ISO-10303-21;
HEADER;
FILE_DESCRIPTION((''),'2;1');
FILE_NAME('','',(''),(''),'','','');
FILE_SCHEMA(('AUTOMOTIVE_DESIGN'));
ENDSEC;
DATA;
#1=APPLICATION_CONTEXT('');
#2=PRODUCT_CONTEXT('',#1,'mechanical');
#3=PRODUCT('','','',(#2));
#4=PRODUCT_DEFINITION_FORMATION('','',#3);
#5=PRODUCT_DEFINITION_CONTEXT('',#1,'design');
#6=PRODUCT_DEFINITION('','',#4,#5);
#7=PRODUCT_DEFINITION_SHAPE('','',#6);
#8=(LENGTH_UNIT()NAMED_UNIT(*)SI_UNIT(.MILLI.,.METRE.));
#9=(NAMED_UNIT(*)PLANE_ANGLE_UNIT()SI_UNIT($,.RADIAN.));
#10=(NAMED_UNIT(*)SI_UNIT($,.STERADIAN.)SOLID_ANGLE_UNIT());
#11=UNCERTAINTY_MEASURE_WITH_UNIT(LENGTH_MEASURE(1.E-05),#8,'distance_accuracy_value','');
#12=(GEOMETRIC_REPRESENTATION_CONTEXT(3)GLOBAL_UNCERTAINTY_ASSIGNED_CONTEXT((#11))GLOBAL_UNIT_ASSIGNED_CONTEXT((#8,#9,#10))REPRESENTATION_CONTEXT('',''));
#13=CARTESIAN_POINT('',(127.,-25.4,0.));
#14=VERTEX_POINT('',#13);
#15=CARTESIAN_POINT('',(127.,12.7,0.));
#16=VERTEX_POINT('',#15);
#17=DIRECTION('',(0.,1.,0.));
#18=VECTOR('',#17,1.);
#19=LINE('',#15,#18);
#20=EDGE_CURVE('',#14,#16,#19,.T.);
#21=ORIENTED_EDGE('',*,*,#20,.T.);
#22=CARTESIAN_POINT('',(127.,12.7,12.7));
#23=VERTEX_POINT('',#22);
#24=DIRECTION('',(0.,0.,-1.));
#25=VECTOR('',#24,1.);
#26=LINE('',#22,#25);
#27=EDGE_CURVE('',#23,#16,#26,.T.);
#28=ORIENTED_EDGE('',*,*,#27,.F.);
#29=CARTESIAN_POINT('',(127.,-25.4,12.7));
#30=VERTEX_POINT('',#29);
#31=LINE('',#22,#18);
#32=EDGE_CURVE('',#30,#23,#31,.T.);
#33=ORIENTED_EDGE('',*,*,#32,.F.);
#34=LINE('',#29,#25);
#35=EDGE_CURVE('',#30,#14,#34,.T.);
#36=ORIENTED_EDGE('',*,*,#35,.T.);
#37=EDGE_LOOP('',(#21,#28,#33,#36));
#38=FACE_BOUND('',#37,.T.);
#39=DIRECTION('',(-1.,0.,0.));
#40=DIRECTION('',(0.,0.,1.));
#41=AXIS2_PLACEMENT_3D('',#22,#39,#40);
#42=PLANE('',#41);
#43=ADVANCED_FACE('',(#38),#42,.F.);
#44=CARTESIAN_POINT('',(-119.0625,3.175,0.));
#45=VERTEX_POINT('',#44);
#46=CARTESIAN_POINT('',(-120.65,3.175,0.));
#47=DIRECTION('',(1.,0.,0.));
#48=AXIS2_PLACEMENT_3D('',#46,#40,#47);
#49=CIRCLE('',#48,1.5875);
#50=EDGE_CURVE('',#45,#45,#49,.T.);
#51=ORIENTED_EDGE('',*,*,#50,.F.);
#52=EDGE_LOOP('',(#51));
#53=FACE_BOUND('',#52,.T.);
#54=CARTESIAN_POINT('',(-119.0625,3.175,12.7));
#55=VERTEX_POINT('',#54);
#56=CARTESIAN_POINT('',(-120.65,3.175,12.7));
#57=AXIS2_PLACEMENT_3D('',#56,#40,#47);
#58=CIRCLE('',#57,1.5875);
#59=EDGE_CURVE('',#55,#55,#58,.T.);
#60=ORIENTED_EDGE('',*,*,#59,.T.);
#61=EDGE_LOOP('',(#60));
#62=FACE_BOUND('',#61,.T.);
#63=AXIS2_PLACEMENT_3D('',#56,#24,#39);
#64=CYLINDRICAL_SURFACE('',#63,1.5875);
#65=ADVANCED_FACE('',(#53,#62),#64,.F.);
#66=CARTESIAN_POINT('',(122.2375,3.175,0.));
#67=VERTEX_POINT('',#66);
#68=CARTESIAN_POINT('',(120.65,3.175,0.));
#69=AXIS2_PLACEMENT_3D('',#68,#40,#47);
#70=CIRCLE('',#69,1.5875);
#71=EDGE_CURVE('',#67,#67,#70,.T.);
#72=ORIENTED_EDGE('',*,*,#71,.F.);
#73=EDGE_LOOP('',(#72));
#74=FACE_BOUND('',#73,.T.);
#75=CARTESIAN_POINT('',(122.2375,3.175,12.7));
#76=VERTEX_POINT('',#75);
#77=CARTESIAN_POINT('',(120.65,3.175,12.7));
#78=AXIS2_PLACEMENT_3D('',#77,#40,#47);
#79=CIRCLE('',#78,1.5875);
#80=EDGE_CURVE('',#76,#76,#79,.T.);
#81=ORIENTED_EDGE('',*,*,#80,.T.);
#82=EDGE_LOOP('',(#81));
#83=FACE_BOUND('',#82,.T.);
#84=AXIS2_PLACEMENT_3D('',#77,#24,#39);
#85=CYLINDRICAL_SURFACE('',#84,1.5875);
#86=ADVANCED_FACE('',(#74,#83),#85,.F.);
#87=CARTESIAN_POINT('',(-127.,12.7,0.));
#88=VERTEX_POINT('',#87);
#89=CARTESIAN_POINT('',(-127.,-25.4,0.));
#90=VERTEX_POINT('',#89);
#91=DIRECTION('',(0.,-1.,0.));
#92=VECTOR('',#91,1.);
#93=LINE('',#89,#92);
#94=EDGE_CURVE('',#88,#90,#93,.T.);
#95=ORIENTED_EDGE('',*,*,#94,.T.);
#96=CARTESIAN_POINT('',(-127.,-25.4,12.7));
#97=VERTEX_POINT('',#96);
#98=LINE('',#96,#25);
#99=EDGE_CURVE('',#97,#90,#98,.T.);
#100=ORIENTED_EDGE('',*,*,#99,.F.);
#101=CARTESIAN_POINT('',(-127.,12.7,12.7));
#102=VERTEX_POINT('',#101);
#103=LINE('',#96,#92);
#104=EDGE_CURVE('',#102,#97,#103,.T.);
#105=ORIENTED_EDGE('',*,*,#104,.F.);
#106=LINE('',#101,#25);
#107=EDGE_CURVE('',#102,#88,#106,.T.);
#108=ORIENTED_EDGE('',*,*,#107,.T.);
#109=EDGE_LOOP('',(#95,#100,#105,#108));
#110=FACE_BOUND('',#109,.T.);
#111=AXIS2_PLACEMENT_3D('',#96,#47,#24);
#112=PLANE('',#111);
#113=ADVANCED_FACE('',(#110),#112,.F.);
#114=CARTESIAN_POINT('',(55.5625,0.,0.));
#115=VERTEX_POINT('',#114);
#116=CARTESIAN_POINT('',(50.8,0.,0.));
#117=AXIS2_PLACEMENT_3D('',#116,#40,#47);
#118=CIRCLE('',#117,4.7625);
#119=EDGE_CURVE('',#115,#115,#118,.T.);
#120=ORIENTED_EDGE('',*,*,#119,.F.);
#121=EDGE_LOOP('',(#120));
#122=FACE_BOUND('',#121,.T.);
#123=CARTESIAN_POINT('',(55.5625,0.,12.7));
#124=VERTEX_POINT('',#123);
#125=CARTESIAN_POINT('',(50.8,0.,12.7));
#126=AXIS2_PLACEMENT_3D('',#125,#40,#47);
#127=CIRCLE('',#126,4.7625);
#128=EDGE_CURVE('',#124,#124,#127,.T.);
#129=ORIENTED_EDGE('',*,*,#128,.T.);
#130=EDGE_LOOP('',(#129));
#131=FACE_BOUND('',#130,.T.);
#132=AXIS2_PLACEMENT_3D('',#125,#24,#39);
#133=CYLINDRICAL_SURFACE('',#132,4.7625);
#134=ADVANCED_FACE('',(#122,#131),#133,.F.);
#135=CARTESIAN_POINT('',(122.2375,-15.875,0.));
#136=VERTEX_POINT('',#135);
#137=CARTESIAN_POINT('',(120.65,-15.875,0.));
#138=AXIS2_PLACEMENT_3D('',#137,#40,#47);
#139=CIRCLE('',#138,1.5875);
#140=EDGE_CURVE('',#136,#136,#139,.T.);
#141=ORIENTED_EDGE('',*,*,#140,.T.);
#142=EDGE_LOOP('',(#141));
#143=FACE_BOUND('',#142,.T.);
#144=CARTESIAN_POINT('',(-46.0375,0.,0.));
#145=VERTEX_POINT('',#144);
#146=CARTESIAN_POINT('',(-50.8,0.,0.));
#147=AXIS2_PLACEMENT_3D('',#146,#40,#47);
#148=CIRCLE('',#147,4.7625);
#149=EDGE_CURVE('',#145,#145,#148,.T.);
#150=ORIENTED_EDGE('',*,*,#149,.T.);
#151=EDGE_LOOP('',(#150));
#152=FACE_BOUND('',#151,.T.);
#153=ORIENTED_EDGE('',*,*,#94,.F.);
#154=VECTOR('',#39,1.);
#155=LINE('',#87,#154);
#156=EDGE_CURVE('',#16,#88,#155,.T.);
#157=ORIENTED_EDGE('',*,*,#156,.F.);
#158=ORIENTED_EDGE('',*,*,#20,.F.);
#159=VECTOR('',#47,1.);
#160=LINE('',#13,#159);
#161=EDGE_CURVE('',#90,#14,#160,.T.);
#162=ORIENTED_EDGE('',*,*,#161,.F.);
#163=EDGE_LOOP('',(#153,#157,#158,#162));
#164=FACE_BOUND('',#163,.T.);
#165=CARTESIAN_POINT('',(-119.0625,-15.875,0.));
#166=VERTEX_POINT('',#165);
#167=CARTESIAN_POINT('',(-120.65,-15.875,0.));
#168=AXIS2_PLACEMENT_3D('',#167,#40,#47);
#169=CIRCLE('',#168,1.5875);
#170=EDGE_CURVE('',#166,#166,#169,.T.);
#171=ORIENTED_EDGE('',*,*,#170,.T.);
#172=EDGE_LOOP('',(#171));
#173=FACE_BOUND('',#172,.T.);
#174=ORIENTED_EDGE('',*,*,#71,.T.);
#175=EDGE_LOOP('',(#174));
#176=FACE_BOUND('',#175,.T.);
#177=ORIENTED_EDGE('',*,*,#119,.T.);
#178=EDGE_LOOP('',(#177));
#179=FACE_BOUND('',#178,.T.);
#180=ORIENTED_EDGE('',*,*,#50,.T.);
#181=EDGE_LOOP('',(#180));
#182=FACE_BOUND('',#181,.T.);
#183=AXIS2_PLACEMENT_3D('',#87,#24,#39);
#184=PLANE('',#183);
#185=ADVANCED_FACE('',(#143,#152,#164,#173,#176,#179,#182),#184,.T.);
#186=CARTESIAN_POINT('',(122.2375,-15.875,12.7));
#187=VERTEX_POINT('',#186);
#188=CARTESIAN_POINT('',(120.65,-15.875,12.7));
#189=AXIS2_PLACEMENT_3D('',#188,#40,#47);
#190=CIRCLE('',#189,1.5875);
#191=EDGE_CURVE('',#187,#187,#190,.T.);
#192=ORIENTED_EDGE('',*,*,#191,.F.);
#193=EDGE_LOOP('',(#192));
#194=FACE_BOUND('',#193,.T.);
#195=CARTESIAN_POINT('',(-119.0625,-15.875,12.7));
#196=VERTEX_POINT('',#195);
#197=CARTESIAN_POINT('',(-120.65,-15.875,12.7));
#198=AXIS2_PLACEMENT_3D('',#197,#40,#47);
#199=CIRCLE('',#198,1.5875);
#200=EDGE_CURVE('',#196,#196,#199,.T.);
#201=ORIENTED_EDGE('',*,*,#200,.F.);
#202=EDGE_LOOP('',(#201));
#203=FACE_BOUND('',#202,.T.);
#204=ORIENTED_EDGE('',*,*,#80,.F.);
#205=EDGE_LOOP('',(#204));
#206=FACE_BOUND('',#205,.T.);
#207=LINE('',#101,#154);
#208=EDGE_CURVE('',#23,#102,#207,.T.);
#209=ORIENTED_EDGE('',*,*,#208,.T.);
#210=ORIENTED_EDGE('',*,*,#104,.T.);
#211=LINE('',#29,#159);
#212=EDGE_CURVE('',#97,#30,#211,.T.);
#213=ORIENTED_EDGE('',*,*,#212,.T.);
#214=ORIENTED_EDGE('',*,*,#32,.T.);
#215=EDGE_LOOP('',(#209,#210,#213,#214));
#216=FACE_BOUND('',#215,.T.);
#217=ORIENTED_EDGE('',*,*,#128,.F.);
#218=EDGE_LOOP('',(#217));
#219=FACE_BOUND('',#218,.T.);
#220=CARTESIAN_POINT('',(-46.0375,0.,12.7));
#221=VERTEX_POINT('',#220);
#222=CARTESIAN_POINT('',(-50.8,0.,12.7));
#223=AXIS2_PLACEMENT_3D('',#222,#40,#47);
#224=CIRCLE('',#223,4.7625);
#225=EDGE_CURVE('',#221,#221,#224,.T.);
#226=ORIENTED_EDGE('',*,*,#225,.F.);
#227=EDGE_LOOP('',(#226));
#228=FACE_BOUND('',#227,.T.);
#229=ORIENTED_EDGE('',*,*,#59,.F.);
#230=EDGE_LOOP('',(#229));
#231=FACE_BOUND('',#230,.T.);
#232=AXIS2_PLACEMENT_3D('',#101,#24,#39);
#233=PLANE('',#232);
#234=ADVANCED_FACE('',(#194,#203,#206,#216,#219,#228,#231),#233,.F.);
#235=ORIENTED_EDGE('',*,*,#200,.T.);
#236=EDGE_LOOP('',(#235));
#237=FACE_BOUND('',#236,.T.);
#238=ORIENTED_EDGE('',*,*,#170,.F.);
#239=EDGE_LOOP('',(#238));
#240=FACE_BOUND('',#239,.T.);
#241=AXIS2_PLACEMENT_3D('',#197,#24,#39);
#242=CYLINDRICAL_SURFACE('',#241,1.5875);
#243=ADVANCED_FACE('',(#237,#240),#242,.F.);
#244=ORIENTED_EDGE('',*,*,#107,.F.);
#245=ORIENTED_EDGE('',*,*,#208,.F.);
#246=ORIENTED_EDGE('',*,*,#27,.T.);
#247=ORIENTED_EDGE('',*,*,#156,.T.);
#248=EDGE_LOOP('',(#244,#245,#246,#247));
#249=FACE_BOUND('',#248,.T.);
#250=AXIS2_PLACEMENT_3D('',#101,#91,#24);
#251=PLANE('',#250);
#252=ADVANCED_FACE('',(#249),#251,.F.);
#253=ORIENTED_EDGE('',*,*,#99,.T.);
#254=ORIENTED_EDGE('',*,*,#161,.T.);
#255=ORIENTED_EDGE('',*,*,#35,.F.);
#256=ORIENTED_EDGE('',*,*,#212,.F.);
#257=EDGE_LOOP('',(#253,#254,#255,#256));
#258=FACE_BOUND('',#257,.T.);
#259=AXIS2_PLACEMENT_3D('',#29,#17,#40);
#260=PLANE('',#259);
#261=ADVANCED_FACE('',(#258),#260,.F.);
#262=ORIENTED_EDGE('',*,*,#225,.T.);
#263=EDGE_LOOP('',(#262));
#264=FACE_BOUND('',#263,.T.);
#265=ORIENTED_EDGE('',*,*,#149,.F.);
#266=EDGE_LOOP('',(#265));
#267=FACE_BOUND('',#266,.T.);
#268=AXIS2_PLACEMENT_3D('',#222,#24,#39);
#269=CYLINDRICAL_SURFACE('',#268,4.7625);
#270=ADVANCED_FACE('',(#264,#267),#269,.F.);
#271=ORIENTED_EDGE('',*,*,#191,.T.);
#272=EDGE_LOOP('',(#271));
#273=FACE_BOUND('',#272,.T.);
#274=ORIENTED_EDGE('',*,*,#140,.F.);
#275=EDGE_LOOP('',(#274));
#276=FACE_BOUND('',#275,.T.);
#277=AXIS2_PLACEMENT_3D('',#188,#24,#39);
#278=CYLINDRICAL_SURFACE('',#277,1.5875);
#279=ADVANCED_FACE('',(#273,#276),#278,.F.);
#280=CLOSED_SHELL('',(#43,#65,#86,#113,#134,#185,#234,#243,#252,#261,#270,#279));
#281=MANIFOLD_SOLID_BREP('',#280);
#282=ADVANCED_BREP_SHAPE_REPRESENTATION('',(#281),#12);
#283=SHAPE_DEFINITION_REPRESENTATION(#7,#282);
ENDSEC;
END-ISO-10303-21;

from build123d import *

# Parameters (mm, degrees)
SKETCH1_W           = 254
SKETCH1_H           = 38.1
SKETCH1_R           = 4.7625
SKETCH1_R_2         = 1.5875
BOSS_EXTRUDE1_DEPTH = 12.7


with BuildPart() as part:
    # Sketch1 → Boss-Extrude1 (new body)
    with BuildSketch(Plane.XY):
        with Locations((0, -6.35)):
            Rectangle(SKETCH1_W, SKETCH1_H)
        with Locations((-50.8, 0)):
            Circle(SKETCH1_R, mode=Mode.SUBTRACT)
        with Locations((50.8, 0)):
            Circle(SKETCH1_R, mode=Mode.SUBTRACT)
        with Locations((-120.65, 3.175)):
            Circle(SKETCH1_R_2, mode=Mode.SUBTRACT)
        with Locations((-120.65, -15.875)):
            Circle(SKETCH1_R_2, mode=Mode.SUBTRACT)
        with Locations((120.65, 3.175)):
            Circle(SKETCH1_R_2, mode=Mode.SUBTRACT)
        with Locations((120.65, -15.875)):
            Circle(SKETCH1_R_2, mode=Mode.SUBTRACT)
    extrude(amount=BOSS_EXTRUDE1_DEPTH)


solid = part.part
